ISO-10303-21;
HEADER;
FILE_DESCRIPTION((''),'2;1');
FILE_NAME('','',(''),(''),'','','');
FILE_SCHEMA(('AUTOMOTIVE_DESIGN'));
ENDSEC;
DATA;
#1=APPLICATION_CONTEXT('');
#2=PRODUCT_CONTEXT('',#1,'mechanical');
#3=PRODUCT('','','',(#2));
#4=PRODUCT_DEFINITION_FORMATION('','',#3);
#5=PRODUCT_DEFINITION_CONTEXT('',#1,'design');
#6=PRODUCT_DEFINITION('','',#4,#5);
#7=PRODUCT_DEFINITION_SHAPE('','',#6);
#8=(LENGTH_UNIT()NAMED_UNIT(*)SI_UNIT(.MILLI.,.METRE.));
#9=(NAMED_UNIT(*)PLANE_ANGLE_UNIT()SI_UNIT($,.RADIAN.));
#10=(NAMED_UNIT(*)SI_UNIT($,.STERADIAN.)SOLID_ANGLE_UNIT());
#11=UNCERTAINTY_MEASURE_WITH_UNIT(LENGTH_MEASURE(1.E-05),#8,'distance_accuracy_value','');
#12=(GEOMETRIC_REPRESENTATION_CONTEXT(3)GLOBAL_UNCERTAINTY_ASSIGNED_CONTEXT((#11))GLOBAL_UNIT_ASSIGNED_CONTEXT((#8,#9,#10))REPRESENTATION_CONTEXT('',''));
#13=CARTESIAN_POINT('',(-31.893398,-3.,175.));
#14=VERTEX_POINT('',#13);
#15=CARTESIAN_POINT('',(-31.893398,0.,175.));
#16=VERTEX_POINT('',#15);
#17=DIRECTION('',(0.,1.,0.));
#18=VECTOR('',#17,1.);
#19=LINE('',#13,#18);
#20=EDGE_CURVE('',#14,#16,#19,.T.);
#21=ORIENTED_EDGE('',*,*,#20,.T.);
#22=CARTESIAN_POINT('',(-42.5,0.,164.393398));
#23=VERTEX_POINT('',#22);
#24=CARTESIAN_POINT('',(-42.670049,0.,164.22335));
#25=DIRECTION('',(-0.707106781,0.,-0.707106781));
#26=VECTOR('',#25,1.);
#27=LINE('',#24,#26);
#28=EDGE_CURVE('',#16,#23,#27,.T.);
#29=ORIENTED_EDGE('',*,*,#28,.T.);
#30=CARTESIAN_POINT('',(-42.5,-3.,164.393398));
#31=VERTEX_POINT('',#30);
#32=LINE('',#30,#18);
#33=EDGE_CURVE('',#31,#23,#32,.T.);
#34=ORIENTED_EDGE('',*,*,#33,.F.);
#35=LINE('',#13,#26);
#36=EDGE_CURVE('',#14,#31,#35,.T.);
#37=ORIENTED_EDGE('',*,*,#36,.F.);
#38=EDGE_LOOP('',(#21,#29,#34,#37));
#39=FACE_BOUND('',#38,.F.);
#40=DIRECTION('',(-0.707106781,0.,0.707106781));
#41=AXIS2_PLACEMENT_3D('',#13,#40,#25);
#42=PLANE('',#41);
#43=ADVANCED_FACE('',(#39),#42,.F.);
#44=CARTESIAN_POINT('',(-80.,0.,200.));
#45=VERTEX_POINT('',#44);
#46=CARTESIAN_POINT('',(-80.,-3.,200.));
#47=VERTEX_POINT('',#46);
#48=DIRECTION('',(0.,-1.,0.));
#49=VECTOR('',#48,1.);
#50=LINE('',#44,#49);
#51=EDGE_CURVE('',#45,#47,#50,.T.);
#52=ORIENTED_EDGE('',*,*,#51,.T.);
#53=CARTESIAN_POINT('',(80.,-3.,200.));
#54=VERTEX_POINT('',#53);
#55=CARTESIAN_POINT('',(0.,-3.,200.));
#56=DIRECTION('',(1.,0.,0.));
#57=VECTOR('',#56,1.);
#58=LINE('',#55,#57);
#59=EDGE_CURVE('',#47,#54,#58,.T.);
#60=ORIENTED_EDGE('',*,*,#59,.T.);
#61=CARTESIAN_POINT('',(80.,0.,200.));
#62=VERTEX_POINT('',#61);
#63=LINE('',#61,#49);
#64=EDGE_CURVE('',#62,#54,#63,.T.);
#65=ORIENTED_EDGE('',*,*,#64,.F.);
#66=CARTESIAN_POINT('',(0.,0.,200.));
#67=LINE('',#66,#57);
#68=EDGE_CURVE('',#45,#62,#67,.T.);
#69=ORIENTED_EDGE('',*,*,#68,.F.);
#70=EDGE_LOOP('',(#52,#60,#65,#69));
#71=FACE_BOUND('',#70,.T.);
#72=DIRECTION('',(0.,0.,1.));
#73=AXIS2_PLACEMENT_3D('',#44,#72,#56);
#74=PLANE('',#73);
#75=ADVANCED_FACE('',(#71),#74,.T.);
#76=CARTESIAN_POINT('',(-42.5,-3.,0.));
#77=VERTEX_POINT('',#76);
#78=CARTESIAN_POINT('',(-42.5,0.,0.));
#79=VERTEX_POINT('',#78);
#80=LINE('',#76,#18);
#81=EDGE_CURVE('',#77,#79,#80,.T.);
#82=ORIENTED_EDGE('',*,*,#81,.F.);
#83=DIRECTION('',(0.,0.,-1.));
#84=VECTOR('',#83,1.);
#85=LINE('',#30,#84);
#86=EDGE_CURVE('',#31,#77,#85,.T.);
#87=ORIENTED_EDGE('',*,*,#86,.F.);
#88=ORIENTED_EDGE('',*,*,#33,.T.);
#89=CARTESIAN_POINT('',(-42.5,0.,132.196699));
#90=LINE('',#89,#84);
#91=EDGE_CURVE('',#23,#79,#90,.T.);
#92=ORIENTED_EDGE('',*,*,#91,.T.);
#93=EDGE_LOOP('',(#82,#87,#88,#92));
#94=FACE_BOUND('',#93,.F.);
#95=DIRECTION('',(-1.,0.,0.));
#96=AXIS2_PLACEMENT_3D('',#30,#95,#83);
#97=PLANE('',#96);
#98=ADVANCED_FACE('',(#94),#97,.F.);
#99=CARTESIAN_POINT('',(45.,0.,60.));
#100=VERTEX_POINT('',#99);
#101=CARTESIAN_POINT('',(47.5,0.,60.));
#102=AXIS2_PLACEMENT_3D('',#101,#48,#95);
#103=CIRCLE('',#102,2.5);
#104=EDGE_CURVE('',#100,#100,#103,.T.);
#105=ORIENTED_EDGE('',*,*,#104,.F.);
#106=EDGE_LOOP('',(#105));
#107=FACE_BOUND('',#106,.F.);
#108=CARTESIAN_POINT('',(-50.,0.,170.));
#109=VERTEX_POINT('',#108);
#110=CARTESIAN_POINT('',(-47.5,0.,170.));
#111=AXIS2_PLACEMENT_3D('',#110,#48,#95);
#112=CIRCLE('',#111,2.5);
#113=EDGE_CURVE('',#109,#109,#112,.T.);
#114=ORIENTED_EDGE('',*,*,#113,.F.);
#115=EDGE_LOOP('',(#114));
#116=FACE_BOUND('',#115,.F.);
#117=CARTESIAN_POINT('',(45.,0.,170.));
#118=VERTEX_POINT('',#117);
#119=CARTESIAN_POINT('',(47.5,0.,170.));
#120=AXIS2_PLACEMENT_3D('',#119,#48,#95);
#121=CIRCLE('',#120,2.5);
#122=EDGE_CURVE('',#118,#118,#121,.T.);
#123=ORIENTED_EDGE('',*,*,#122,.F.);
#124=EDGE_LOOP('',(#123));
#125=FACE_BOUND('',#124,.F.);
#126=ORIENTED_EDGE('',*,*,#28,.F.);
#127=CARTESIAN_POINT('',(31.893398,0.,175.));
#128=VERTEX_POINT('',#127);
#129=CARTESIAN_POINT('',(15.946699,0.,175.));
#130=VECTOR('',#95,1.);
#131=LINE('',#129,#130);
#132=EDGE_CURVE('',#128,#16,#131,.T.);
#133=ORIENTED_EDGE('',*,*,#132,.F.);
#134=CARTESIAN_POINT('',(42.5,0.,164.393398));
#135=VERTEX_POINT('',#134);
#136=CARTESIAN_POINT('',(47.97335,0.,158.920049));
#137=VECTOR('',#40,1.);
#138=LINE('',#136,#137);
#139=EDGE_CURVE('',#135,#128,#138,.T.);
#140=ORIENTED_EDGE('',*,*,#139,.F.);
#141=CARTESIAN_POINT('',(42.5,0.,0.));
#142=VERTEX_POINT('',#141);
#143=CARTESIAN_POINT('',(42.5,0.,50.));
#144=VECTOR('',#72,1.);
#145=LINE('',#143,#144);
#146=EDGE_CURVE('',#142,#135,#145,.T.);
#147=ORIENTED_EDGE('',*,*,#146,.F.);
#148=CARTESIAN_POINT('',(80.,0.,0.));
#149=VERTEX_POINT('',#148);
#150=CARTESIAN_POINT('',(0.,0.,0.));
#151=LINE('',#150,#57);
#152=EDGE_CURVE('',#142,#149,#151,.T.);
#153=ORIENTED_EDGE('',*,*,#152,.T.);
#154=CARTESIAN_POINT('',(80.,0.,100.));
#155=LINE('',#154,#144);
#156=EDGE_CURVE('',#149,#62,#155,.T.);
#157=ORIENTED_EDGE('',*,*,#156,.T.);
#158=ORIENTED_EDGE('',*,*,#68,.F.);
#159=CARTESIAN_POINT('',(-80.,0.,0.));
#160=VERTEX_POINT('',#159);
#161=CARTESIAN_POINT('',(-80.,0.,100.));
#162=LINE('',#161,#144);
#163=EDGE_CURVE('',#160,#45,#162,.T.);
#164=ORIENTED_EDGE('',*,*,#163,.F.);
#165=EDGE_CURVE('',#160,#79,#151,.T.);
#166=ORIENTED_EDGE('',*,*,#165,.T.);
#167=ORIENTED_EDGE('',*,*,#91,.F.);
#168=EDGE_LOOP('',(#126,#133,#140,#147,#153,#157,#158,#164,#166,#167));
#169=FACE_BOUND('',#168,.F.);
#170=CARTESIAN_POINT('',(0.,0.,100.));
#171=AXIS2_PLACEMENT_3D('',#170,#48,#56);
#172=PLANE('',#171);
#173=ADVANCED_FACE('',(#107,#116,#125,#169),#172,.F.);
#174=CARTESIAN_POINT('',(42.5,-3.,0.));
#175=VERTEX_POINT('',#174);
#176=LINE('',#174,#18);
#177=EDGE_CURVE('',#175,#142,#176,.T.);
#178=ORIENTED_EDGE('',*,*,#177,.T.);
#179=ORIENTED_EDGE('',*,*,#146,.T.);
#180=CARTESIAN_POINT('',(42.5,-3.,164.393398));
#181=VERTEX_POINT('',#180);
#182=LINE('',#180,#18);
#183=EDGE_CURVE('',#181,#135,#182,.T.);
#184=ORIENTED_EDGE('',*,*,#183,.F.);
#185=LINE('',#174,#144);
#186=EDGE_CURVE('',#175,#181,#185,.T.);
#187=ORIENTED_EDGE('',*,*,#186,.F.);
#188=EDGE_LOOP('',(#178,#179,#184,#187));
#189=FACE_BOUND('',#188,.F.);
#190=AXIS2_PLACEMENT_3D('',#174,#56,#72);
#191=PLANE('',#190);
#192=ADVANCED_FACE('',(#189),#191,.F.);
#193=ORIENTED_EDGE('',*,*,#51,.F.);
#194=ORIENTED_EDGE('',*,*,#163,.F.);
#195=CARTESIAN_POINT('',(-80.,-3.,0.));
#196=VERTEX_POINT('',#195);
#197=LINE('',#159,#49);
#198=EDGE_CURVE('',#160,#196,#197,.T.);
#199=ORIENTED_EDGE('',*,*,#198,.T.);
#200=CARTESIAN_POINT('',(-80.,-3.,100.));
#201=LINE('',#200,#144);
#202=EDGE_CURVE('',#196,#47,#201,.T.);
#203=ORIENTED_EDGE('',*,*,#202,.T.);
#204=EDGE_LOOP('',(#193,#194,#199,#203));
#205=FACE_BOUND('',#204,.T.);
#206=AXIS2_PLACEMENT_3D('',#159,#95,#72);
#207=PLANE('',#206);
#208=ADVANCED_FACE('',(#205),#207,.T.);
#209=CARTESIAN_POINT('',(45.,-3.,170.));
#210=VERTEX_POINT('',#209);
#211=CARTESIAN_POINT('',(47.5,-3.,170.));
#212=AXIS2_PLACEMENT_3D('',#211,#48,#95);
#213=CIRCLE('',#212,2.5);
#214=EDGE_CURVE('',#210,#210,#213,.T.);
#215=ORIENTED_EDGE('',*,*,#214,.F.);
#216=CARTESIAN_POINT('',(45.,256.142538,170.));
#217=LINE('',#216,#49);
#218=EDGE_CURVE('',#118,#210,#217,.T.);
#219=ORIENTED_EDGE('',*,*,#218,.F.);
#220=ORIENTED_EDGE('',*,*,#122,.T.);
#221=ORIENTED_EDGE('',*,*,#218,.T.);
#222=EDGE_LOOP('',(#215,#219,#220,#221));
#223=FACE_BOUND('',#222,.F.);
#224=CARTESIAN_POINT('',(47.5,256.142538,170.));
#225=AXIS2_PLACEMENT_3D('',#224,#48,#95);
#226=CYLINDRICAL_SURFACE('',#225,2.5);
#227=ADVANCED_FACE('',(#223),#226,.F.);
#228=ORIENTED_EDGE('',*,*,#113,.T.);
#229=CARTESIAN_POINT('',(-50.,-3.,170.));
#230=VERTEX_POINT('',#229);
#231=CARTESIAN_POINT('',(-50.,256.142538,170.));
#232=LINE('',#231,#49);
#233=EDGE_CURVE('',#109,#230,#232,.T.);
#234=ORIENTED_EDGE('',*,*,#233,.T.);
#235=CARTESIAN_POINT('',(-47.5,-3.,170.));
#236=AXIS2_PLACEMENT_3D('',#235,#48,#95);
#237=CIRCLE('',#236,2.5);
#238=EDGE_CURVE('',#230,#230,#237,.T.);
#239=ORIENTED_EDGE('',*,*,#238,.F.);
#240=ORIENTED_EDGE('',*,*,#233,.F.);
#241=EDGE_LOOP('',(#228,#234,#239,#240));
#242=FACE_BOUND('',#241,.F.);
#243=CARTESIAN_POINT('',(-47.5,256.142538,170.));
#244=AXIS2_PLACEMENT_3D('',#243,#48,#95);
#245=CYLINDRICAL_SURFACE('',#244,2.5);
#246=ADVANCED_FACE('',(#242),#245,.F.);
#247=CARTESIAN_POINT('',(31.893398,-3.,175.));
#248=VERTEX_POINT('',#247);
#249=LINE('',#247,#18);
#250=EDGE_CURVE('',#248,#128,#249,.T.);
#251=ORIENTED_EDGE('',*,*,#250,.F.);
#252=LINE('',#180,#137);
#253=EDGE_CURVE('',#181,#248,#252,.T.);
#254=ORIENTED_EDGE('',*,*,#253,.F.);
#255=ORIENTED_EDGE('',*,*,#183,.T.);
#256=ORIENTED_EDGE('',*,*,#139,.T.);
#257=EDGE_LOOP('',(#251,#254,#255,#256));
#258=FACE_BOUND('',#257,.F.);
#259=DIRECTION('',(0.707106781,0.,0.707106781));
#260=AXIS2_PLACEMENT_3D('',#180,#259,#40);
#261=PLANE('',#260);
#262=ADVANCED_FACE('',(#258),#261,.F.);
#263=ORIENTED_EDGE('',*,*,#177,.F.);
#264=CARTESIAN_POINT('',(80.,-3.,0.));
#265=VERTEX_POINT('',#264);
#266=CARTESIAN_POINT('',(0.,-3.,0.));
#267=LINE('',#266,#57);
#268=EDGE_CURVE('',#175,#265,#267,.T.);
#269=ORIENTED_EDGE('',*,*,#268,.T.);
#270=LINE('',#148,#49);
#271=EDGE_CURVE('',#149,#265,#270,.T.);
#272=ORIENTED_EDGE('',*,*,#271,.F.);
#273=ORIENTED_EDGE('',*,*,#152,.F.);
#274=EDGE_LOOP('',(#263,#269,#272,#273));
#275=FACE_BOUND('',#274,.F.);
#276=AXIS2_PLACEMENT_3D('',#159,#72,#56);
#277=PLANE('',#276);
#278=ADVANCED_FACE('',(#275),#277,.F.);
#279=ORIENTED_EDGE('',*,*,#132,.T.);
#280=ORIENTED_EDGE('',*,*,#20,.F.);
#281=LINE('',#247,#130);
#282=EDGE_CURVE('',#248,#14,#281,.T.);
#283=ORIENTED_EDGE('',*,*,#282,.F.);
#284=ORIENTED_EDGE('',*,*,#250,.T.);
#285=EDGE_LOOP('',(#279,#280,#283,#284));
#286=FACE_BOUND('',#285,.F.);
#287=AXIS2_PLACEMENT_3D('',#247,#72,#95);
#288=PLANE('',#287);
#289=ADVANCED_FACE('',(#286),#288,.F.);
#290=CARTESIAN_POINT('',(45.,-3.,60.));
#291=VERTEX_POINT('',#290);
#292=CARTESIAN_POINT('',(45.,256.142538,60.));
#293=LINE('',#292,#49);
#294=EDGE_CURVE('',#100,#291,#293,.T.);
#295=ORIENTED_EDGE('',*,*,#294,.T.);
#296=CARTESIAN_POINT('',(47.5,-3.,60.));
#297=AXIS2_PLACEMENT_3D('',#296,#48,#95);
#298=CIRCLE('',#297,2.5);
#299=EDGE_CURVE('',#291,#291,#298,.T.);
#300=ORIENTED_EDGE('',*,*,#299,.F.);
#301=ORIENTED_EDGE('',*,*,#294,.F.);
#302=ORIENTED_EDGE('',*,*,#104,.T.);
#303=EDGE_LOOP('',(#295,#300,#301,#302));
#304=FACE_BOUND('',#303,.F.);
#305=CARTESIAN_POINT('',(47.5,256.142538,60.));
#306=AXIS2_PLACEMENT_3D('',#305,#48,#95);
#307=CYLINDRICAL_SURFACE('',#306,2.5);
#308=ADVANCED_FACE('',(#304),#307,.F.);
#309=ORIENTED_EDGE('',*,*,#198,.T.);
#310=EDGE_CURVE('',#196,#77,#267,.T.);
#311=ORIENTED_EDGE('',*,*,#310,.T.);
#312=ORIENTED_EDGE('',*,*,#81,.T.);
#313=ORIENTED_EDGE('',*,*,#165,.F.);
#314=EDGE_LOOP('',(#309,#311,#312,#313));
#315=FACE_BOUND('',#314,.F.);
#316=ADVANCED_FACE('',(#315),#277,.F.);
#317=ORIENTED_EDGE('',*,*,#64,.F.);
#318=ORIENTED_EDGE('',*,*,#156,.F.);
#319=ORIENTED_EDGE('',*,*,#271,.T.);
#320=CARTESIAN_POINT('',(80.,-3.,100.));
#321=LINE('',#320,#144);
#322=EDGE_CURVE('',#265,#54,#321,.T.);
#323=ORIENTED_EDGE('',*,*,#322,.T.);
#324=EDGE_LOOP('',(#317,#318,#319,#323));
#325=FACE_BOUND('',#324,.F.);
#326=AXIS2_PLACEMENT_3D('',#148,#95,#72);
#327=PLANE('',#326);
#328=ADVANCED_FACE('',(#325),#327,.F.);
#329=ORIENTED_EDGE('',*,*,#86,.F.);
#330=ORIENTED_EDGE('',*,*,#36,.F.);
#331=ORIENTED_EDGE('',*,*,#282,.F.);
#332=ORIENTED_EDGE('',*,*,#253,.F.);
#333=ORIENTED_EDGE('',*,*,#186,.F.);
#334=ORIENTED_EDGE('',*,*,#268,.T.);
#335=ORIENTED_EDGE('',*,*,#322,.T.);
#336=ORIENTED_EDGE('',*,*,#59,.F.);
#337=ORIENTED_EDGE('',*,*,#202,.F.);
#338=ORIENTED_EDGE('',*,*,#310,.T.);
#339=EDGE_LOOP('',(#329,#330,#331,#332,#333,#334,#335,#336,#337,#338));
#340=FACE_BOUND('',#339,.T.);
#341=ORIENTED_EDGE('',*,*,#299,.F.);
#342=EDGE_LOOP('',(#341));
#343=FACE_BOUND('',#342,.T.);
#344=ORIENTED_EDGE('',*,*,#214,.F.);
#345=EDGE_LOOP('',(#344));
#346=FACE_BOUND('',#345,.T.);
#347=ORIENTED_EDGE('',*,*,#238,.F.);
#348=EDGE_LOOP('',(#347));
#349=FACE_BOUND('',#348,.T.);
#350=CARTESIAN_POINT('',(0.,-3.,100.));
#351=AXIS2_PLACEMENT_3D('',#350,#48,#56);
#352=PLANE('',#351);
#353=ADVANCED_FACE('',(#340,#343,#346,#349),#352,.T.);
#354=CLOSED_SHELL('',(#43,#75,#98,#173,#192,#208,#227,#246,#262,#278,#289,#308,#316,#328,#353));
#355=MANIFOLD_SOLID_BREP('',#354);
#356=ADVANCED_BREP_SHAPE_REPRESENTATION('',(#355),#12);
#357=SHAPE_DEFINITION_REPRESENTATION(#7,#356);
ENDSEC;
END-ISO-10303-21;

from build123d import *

# Parameters (mm, degrees)
F0_W     = 160
F0_H     = 200
F1_DEPTH = 3
F2_D     = 5
F4_DEPTH = 25


with BuildPart() as f1:
    # F0 (on Front) → F1 (new body)
    with BuildSketch(Plane.XZ):
        with Locations((0, 100)):
            Rectangle(F0_W, F0_H)
    extrude(amount=F1_DEPTH)

    # F2 (through all)
    with Locations(Plane(origin=(0, 0, 0), x_dir=(1, 0, 0), z_dir=(0, 1, 0))):
        with Locations((47.5, -170), (-47.5, -170), (47.5, -60)):
            Hole(F2_D / 2)

    # F3 (on face) → F4 (cut)
    with BuildSketch(Plane.XZ.offset(3)):
        Polygon((-31.8933982822, 175), (-42.5, 164.3933982822), (-42.5, 0), (42.5, 0), (42.5, 164.3933982822), (31.8933982822, 175), align=None)
    extrude(amount=-F4_DEPTH, mode=Mode.SUBTRACT)


solid = f1.part
